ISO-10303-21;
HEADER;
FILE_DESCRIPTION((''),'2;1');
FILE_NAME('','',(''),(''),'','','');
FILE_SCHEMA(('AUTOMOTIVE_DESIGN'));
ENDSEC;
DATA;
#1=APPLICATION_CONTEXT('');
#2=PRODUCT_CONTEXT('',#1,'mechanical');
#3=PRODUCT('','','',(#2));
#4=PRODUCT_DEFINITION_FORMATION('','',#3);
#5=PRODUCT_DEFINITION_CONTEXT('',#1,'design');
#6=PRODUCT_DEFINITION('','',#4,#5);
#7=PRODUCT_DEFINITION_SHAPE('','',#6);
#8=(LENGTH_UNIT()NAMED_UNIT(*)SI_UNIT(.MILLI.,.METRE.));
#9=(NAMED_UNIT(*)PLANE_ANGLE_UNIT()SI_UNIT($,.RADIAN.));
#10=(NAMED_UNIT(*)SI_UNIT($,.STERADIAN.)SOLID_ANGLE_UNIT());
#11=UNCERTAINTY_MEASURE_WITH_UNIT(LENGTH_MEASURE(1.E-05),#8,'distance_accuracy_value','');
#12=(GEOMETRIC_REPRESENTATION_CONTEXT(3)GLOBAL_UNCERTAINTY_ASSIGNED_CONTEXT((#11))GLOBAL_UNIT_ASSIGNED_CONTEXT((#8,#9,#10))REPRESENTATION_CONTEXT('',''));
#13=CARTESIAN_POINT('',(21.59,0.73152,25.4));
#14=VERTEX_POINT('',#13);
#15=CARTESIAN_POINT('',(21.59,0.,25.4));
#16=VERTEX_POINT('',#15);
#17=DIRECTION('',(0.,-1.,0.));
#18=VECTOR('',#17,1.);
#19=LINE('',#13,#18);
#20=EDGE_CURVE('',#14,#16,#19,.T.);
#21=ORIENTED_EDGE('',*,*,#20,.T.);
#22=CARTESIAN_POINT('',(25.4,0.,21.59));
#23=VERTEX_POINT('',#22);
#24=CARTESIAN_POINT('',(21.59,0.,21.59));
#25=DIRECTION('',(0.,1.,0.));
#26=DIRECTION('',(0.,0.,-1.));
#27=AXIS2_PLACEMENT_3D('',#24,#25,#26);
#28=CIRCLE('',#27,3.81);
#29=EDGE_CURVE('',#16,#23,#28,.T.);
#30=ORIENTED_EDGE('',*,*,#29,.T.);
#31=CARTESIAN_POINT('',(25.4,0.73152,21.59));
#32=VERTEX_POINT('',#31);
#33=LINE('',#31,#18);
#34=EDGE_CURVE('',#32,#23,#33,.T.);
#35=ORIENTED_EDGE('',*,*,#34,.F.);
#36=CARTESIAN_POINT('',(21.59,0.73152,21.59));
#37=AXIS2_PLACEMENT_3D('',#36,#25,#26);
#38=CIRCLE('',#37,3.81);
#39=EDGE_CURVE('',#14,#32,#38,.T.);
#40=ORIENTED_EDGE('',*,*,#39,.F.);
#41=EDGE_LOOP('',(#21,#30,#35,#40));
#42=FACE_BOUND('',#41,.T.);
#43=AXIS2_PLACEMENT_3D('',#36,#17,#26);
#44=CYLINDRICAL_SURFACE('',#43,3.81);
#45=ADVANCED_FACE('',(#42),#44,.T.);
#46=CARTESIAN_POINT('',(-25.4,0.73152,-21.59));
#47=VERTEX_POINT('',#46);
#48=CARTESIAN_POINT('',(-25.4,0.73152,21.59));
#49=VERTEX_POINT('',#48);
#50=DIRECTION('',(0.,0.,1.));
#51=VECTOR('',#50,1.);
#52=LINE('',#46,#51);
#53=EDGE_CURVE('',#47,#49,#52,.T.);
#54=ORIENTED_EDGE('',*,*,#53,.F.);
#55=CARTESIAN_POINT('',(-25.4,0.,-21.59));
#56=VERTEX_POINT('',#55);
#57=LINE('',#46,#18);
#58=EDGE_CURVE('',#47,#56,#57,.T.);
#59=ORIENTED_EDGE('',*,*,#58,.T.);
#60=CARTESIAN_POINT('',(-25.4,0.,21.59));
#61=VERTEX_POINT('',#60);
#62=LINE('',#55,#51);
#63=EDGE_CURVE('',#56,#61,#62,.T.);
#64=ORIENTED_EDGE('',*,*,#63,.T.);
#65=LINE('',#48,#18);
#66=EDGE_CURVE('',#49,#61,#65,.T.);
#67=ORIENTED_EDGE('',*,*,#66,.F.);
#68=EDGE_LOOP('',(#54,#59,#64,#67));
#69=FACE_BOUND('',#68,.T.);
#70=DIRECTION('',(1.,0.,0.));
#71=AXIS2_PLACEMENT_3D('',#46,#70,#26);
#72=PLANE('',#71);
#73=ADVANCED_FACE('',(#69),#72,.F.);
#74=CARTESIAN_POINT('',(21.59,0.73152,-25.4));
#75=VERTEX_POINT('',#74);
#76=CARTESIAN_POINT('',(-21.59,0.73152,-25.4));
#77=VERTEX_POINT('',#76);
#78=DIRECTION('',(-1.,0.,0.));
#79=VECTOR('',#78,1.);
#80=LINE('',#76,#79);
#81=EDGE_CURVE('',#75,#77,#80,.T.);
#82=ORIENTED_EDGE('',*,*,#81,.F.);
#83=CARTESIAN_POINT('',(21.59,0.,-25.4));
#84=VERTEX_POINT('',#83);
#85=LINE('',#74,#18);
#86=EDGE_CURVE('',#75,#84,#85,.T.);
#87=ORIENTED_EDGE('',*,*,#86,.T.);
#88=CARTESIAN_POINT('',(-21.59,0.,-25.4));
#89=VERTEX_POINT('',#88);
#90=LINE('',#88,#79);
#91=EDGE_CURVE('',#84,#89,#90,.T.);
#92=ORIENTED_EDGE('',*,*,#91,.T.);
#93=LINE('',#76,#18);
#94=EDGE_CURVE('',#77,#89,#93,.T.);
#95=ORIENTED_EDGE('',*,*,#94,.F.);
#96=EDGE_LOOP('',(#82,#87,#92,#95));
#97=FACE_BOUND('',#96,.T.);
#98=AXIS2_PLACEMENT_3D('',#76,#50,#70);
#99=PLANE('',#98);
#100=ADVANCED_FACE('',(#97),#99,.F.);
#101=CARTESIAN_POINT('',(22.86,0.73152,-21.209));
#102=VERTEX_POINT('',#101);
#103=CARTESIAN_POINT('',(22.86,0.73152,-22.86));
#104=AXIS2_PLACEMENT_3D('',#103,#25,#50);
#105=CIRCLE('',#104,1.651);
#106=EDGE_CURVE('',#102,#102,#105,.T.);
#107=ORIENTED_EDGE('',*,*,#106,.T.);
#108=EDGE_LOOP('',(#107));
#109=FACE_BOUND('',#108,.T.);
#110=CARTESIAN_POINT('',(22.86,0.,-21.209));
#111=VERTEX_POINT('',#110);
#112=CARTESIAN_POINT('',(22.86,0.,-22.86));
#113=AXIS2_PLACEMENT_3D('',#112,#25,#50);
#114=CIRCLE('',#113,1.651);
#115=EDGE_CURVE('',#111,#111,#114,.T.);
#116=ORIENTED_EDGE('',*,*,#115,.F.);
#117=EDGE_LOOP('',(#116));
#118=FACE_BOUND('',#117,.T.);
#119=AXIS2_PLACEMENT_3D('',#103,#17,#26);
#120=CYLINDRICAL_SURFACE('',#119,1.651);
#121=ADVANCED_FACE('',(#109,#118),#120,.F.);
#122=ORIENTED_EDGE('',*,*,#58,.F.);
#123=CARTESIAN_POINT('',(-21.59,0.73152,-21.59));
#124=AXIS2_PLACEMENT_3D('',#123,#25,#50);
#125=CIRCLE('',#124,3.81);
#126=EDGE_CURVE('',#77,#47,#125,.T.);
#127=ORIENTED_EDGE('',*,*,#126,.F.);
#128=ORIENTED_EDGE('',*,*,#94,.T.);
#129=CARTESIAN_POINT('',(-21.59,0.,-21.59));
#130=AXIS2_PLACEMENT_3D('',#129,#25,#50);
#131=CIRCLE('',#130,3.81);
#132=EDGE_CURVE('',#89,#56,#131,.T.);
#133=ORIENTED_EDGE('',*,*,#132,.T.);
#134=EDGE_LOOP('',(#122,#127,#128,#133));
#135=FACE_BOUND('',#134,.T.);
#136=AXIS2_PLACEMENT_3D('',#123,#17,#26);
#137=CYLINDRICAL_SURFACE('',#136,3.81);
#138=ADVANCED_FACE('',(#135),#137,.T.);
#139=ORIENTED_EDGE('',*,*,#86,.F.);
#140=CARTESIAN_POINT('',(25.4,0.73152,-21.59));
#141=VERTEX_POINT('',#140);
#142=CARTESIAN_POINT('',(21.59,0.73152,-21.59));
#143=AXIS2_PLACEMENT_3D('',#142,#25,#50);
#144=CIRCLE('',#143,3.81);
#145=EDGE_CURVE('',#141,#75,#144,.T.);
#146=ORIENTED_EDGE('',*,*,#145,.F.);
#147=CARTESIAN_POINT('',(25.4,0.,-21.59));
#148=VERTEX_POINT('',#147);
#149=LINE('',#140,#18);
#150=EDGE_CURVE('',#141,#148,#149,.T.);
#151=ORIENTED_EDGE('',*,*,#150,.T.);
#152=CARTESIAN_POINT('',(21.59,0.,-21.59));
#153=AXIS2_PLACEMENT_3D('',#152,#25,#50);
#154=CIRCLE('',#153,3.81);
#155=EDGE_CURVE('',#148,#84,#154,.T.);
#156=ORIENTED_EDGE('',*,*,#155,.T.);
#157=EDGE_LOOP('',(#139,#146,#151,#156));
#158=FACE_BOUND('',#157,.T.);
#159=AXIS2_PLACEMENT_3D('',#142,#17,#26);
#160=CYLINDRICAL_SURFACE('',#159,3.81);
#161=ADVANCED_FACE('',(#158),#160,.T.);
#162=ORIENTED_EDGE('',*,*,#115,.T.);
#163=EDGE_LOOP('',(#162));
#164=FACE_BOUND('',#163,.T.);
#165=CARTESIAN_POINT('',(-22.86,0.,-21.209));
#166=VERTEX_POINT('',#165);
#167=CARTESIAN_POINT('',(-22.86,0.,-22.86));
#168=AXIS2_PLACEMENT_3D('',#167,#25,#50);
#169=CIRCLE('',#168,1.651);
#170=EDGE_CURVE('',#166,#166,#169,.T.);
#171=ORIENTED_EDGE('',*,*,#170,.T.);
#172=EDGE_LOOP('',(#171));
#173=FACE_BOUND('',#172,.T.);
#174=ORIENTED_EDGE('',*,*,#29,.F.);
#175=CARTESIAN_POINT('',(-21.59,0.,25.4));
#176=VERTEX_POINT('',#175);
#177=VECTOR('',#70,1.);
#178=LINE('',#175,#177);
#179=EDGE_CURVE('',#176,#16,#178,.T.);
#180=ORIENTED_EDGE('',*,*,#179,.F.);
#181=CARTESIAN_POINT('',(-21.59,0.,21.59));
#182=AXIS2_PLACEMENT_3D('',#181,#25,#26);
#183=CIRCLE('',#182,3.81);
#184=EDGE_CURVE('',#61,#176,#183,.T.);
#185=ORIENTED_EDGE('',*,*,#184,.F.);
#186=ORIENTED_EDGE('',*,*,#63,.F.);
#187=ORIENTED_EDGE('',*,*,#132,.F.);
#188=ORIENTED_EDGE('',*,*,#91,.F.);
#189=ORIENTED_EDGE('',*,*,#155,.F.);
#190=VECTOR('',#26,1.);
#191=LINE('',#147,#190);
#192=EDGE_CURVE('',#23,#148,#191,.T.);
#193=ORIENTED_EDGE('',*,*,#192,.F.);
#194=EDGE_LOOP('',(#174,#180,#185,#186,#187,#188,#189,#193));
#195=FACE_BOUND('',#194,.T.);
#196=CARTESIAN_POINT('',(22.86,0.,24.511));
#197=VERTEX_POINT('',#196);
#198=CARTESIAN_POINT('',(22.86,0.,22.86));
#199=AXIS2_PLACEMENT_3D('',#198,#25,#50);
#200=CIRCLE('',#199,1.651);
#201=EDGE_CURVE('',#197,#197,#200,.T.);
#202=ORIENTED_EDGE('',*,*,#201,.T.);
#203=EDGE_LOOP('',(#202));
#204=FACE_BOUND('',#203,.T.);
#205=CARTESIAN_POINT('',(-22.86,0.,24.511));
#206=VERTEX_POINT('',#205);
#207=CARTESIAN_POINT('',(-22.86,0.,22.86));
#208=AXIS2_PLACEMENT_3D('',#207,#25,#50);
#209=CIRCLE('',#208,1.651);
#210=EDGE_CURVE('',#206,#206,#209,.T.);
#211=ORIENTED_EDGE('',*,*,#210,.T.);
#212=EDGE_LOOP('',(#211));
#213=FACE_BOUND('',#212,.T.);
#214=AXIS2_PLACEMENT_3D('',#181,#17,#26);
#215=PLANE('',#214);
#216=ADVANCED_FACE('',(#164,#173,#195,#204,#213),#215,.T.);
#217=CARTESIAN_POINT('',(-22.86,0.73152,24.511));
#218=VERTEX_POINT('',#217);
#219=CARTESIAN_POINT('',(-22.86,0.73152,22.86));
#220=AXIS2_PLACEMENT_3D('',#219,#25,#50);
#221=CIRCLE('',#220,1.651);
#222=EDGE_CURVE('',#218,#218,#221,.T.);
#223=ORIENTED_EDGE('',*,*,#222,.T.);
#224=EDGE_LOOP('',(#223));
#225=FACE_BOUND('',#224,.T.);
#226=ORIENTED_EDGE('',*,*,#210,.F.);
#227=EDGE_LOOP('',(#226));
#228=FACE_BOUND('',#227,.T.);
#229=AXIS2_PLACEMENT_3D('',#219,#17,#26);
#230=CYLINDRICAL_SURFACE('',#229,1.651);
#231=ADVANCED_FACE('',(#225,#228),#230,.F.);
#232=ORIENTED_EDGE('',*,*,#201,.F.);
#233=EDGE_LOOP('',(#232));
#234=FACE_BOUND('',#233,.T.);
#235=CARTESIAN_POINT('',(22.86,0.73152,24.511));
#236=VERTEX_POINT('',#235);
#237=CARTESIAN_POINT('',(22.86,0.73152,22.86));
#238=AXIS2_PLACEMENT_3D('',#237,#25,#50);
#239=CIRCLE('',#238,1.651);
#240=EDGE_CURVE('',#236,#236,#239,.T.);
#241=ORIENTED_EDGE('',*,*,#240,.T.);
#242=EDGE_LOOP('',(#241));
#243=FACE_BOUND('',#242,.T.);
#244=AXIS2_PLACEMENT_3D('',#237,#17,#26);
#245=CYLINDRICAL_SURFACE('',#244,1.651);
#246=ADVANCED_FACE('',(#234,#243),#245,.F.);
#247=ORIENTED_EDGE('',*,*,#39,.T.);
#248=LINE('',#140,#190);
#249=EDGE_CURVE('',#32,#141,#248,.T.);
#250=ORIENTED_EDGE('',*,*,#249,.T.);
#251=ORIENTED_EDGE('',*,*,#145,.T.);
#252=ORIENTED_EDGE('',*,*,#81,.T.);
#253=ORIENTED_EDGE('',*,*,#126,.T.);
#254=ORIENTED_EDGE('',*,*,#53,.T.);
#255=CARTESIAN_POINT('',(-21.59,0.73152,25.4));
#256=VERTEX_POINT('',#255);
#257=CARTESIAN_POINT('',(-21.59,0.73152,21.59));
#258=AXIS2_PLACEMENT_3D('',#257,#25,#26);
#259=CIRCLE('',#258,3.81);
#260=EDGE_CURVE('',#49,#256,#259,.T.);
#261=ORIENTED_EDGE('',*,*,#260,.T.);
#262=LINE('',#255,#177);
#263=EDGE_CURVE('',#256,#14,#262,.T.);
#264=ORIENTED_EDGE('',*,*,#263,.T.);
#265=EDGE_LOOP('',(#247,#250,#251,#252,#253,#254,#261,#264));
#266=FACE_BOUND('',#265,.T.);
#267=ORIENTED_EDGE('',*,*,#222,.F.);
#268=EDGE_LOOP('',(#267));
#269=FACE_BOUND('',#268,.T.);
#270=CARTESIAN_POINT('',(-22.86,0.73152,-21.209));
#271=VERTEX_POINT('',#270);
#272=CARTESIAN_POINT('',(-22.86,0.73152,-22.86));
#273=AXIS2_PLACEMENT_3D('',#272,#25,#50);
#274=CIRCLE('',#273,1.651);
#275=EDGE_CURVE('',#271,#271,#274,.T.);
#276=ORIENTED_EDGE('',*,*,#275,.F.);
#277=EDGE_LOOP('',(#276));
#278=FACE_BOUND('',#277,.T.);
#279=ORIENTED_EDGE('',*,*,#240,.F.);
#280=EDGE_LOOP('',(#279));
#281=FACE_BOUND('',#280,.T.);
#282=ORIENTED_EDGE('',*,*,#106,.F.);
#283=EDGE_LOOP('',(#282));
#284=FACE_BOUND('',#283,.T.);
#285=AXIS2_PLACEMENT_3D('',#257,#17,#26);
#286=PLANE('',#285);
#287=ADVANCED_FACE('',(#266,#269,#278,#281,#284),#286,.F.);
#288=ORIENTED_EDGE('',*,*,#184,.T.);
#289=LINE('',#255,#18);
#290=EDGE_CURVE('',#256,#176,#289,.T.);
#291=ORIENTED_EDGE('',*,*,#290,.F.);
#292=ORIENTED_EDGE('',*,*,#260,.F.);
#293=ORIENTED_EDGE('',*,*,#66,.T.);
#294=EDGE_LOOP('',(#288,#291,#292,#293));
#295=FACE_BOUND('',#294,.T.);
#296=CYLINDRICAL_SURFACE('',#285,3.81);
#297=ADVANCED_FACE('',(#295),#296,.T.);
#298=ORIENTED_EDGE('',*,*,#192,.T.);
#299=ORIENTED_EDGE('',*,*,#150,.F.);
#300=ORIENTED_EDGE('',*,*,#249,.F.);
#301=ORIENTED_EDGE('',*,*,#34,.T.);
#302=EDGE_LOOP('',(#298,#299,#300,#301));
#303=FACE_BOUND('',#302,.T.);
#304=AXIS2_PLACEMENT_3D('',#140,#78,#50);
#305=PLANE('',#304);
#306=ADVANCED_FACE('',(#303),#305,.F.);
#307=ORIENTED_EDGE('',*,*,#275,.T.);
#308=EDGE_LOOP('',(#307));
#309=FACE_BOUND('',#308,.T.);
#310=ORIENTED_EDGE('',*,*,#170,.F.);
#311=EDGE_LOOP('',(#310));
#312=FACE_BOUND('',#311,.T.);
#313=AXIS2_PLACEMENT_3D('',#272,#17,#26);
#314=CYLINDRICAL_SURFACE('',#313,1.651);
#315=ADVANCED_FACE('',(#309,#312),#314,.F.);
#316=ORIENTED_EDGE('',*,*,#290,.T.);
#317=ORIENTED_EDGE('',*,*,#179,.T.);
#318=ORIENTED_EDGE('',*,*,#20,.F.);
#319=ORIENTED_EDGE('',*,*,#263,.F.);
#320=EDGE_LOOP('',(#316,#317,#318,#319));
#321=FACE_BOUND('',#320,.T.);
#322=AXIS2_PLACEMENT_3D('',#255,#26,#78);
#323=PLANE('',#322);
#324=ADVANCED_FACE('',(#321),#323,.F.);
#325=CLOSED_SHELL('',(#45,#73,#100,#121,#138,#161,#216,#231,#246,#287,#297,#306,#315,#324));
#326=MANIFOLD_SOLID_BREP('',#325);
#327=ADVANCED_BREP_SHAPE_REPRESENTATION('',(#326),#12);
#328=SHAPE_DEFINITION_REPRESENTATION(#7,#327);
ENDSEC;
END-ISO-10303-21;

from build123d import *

# Parameters (mm, degrees)
SKETCH1_R           = 1.651
BOSS_EXTRUDE1_DEPTH = 0.73152


with BuildPart() as part:
    # Sketch1 → Boss-Extrude1 (new body)
    with BuildSketch(Plane(origin=(0, 0, 0), x_dir=(1, 0, 0), z_dir=(0, 1, 0))):
        with BuildLine():
            Line((-21.59, 25.4), (21.59, 25.4))
            ThreePointArc((21.59, 25.4), (24.284076836, 24.284076836), (25.4, 21.59))
            Line((25.4, 21.59), (25.4, -21.59))
            ThreePointArc((25.4, -21.59), (24.284076836, -24.284076836), (21.59, -25.4))
            Line((21.59, -25.4), (-21.59, -25.4))
            ThreePointArc((-21.59, -25.4), (-24.284076836, -24.284076836), (-25.4, -21.59))
            Line((-25.4, -21.59), (-25.4, 21.59))
            ThreePointArc((-25.4, 21.59), (-24.284076836, 24.284076836), (-21.59, 25.4))
        make_face()
        with Locations(Location((-22.86, 22.86, 0), (0, 0, 270))):
            Circle(SKETCH1_R, mode=Mode.SUBTRACT)
        with Locations(Location((22.86, 22.86, 0), (0, 0, 270))):
            Circle(SKETCH1_R, mode=Mode.SUBTRACT)
        with Locations(Location((22.86, -22.86, 0), (0, 0, 270))):
            Circle(SKETCH1_R, mode=Mode.SUBTRACT)
        with Locations(Location((-22.86, -22.86, 0), (0, 0, 270))):
            Circle(SKETCH1_R, mode=Mode.SUBTRACT)
    extrude(amount=BOSS_EXTRUDE1_DEPTH)


solid = part.part
